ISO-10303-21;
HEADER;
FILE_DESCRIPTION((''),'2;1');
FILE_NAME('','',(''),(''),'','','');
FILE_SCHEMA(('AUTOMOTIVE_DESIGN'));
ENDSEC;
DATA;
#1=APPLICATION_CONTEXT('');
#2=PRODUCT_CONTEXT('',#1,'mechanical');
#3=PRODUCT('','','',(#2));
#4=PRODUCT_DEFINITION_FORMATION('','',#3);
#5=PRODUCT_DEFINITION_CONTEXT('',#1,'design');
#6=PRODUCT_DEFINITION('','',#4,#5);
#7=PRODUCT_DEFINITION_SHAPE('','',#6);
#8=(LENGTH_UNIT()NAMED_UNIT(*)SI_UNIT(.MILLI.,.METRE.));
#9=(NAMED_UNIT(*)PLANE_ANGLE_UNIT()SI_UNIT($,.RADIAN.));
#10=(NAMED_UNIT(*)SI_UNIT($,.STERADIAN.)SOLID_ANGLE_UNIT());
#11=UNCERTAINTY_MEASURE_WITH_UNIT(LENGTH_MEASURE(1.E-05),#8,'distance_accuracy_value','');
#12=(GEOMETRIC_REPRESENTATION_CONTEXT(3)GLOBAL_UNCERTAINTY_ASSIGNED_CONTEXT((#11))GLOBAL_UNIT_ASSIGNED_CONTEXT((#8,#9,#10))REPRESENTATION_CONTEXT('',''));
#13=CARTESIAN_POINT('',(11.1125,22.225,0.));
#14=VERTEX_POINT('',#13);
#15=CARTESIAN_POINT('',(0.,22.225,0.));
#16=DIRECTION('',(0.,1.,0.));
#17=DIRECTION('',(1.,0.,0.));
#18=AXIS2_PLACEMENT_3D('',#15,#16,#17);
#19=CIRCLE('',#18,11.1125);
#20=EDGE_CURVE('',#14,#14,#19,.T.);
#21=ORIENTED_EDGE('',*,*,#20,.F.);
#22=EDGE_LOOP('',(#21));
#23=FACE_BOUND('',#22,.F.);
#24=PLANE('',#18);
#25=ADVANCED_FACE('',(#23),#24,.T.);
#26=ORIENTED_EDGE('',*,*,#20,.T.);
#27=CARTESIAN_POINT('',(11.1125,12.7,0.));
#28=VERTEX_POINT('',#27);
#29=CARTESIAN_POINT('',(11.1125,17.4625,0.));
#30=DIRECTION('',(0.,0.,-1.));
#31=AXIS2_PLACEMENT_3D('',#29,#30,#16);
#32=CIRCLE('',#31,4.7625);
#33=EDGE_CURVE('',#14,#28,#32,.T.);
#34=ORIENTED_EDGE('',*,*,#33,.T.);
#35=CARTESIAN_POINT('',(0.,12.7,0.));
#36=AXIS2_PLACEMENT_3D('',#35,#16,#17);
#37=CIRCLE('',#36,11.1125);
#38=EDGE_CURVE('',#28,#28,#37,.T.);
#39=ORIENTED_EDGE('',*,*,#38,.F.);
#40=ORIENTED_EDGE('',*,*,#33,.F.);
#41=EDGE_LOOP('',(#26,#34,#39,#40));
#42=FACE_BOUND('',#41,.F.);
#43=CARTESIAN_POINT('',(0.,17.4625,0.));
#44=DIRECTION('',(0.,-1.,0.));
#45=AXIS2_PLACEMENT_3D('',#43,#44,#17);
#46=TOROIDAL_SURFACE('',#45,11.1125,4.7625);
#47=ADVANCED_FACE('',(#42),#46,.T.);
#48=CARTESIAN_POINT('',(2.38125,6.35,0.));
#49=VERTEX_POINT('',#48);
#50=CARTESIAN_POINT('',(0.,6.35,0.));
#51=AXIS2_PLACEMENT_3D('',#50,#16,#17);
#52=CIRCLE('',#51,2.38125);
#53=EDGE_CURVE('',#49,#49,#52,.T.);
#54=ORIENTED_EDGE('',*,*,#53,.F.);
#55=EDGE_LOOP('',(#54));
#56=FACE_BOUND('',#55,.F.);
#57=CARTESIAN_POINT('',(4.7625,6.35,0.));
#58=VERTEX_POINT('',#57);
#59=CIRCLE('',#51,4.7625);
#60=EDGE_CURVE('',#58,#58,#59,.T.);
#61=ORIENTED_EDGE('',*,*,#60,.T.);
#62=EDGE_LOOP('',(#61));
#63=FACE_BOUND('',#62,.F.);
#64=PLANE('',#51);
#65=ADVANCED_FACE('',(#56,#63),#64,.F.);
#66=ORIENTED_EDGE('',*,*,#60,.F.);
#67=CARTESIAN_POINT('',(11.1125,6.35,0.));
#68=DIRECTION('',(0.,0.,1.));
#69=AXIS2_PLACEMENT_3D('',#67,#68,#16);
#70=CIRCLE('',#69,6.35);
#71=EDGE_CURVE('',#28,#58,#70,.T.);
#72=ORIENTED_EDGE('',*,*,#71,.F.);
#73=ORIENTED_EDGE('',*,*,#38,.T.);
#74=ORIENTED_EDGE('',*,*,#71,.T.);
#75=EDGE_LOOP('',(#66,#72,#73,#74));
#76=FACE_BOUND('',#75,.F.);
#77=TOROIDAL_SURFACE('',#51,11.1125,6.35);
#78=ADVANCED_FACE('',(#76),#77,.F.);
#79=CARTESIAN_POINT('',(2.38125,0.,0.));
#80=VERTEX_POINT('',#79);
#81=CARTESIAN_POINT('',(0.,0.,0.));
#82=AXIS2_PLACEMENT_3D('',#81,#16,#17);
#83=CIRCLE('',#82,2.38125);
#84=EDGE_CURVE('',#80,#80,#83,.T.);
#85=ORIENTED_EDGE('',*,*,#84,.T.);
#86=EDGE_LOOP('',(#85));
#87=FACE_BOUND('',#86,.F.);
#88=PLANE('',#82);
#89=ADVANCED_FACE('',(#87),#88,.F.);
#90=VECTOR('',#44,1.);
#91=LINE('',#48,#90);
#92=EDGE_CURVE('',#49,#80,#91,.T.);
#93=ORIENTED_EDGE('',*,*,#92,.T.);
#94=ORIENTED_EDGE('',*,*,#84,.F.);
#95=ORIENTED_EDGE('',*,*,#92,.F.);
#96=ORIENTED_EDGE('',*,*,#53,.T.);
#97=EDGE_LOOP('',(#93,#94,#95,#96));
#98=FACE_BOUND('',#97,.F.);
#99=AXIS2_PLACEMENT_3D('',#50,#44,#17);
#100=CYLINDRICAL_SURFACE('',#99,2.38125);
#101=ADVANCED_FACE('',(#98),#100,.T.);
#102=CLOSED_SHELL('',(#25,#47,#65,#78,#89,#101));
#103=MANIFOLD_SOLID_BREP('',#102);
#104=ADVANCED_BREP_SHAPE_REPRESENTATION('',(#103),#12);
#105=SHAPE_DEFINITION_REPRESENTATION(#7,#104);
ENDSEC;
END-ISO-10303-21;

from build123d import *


with BuildPart() as part:
    # Sketch1 → Base-Revolve (revolve)
    with BuildSketch(Plane.XY):
        with BuildLine():
            Line((0, 0), (0, 22.225))
            Line((0, 22.225), (11.1125, 22.225))
            ThreePointArc((11.1125, 22.225), (15.875, 17.4625), (11.1125, 12.7))
            ThreePointArc((11.1125, 12.7), (6.622371939, 10.840128061), (4.7625, 6.35))
            Line((4.7625, 6.35), (2.38125, 6.35))
            Line((2.38125, 6.35), (2.38125, 0))
            Line((2.38125, 0), (0, 0))
        make_face()
    revolve(axis=Axis((0, 0, 0), (0, 1, 0)))


solid = part.part
